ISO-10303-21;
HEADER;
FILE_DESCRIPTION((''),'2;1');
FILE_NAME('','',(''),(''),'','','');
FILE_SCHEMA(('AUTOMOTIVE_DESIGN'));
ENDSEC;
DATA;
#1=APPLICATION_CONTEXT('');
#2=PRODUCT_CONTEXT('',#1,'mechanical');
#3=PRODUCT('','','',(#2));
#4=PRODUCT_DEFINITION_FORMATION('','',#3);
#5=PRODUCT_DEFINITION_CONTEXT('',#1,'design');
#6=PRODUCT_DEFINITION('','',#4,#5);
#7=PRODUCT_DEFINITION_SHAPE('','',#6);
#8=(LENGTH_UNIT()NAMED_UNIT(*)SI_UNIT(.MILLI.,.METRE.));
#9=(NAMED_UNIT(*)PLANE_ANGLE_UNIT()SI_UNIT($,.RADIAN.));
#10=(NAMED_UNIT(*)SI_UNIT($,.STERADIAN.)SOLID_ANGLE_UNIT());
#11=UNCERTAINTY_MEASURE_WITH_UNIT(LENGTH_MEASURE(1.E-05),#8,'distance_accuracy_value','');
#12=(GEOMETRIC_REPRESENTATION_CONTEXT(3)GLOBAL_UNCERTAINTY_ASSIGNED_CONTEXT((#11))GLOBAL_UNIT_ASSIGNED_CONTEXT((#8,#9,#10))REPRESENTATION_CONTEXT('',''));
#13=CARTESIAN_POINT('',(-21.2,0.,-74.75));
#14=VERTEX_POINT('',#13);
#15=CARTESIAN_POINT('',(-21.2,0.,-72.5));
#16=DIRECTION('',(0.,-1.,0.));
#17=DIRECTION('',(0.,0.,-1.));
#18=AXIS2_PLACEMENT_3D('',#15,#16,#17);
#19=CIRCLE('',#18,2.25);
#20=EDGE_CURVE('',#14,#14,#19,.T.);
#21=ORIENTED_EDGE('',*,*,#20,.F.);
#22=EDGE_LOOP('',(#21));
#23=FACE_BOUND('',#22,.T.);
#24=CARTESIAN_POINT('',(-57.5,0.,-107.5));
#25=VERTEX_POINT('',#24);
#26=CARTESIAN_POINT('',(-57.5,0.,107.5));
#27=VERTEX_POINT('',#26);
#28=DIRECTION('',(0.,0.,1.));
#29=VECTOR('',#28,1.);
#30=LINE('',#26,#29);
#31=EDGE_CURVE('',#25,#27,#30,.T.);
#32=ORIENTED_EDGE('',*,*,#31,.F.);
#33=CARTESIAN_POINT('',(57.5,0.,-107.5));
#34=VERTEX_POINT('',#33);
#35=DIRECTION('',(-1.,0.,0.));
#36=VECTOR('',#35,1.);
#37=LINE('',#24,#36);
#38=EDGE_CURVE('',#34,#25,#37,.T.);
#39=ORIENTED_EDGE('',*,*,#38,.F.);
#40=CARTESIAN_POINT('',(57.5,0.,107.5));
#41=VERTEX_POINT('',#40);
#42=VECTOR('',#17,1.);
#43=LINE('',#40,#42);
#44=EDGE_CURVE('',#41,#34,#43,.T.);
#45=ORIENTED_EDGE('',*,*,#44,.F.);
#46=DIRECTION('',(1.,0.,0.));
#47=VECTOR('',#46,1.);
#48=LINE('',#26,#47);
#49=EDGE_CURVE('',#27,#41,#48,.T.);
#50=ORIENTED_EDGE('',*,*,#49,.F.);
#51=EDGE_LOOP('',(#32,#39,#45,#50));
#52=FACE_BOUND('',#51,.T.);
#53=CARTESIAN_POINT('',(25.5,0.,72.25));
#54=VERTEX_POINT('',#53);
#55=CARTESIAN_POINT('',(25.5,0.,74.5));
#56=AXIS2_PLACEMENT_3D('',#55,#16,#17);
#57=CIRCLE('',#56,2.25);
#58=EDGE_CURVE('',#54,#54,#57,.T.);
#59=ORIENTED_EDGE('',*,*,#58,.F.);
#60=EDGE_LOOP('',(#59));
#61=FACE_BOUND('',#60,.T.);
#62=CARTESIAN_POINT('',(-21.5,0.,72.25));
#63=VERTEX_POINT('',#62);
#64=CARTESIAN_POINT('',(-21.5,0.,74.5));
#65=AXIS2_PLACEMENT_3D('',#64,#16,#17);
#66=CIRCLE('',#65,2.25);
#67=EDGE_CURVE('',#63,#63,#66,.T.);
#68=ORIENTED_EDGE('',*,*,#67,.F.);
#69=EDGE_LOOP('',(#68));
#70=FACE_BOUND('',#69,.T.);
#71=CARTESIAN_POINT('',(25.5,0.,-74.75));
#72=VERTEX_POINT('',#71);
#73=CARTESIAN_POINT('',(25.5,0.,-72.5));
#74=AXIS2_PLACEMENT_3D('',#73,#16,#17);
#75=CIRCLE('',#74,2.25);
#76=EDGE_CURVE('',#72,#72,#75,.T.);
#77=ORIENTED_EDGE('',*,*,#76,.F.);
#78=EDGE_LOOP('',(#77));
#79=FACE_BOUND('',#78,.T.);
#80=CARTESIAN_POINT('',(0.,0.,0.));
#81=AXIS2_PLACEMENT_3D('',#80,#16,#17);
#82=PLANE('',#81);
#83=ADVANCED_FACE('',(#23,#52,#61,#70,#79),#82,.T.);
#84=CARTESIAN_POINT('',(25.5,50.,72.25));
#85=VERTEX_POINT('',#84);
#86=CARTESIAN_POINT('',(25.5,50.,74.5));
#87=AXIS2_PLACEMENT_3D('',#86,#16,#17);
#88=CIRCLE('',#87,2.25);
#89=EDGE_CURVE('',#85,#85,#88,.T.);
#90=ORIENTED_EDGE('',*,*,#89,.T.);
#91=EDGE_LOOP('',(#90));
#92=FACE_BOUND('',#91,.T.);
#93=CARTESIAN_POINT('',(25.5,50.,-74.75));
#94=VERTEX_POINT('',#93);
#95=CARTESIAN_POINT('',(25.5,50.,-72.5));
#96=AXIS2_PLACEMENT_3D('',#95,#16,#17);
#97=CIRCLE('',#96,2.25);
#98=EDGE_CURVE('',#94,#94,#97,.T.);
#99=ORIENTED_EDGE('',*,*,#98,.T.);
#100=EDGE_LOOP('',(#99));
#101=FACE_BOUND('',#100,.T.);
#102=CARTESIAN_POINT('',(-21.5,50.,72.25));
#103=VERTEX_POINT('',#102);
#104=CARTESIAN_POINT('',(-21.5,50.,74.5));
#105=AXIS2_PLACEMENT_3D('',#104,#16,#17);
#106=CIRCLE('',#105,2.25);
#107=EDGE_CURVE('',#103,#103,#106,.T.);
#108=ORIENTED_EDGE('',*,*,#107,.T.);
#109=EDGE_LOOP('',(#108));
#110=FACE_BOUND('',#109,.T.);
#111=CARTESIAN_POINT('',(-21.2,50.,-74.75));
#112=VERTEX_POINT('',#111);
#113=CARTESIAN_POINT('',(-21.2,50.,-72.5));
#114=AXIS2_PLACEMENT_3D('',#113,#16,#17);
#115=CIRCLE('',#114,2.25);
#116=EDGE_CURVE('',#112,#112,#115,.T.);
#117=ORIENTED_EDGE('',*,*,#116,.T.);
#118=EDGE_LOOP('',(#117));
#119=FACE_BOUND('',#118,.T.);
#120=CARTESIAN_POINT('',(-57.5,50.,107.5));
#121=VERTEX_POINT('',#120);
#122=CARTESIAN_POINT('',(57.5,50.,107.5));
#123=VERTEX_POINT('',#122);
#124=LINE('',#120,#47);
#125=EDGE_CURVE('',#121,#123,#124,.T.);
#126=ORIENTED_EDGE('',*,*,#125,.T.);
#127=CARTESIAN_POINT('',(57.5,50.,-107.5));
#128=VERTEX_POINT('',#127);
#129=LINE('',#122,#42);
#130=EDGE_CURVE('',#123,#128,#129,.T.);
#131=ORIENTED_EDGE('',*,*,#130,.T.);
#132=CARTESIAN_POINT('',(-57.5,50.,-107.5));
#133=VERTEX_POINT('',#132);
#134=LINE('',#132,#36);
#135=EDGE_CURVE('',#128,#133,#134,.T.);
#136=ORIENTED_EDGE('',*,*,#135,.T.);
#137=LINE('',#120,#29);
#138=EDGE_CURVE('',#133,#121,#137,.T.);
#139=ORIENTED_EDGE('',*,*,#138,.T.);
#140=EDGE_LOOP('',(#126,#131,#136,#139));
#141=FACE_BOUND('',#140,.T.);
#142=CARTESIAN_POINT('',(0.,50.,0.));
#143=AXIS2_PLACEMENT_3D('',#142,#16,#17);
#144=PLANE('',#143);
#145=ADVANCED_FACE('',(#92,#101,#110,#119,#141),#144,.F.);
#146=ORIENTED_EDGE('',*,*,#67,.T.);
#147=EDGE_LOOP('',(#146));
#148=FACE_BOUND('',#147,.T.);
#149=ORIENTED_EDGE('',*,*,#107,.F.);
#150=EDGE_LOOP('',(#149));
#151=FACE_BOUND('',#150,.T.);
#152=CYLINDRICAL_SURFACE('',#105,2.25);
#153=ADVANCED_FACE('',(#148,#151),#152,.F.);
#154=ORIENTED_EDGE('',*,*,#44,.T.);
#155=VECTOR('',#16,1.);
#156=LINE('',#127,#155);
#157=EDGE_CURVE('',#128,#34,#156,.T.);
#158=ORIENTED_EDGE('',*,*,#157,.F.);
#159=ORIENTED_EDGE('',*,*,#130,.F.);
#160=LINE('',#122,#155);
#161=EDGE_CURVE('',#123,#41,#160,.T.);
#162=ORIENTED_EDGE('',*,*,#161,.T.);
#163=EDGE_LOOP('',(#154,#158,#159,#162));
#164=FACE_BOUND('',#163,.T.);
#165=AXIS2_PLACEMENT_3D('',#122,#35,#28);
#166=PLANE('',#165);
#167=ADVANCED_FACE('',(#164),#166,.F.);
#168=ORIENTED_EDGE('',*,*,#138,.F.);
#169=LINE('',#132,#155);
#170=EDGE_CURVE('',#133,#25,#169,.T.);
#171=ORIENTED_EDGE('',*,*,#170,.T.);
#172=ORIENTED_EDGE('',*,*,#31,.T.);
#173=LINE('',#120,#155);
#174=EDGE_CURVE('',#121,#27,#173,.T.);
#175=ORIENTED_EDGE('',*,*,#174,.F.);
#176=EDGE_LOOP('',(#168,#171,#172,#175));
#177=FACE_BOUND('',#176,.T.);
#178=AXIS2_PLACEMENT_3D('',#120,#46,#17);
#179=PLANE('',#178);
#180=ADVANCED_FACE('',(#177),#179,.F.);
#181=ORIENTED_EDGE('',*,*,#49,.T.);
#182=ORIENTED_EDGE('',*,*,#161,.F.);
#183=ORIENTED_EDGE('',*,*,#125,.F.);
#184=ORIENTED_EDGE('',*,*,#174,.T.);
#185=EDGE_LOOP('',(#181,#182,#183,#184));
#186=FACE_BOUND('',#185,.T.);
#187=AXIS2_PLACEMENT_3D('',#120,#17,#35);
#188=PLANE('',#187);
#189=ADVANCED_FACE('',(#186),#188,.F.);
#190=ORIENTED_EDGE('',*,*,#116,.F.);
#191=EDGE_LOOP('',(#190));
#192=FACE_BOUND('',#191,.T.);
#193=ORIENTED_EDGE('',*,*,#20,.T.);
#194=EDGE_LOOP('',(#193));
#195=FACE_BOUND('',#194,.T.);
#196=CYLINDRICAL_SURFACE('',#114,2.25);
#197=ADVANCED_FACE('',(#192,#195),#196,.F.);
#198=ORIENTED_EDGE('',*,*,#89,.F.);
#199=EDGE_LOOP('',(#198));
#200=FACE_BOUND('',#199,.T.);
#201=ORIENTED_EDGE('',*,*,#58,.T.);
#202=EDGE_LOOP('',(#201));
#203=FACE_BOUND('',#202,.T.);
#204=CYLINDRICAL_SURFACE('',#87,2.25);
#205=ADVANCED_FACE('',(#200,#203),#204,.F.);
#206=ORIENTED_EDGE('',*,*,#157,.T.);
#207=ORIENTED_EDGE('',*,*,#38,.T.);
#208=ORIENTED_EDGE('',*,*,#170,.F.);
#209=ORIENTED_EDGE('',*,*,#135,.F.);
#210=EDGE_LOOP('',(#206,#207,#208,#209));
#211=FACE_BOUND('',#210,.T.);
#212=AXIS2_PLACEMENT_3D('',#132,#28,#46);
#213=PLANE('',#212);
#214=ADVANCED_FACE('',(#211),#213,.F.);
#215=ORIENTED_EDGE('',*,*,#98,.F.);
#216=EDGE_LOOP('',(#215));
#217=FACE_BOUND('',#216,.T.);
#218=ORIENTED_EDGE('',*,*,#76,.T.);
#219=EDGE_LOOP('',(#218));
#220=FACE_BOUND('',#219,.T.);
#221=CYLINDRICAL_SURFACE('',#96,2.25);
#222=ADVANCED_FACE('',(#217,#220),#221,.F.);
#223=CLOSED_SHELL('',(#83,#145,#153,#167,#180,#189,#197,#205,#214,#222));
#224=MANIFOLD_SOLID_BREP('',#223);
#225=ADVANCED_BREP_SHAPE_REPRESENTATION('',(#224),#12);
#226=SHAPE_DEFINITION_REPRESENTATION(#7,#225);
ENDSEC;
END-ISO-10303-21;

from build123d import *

# Parameters (mm, degrees)
SKETCH_1_W          = 115
SKETCH_1_H          = 215
EXTRUDE_1_DEPTH     = 50
SKETCH_2_R          = 2.25
CUT_EXTRUDE_1_DEPTH = 132.766839531


with BuildPart() as part:
    # 草图1 → 凸台-拉伸1 (new body)
    with BuildSketch(Plane(origin=(0, 0, 0), x_dir=(1, 0, 0), z_dir=(0, 1, 0))):
        Rectangle(SKETCH_1_W, SKETCH_1_H)
    extrude(amount=EXTRUDE_1_DEPTH)

    # 草图2 → 切除-拉伸1 (cut, through all)
    with BuildSketch(Plane.XZ):
        with Locations(Location((25.5, 74.5, 0), (0, 0, 270))):
            Circle(SKETCH_2_R)
        with Locations(Location((-21.5, 74.5, 0), (0, 0, 270))):
            Circle(SKETCH_2_R)
        with Locations(Location((25.5, -72.5, 0), (0, 0, 270))):
            Circle(SKETCH_2_R)
        with Locations(Location((-21.2, -72.5, 0), (0, 0, 270))):
            Circle(SKETCH_2_R)
    extrude(amount=-CUT_EXTRUDE_1_DEPTH, mode=Mode.SUBTRACT)


solid = part.part
